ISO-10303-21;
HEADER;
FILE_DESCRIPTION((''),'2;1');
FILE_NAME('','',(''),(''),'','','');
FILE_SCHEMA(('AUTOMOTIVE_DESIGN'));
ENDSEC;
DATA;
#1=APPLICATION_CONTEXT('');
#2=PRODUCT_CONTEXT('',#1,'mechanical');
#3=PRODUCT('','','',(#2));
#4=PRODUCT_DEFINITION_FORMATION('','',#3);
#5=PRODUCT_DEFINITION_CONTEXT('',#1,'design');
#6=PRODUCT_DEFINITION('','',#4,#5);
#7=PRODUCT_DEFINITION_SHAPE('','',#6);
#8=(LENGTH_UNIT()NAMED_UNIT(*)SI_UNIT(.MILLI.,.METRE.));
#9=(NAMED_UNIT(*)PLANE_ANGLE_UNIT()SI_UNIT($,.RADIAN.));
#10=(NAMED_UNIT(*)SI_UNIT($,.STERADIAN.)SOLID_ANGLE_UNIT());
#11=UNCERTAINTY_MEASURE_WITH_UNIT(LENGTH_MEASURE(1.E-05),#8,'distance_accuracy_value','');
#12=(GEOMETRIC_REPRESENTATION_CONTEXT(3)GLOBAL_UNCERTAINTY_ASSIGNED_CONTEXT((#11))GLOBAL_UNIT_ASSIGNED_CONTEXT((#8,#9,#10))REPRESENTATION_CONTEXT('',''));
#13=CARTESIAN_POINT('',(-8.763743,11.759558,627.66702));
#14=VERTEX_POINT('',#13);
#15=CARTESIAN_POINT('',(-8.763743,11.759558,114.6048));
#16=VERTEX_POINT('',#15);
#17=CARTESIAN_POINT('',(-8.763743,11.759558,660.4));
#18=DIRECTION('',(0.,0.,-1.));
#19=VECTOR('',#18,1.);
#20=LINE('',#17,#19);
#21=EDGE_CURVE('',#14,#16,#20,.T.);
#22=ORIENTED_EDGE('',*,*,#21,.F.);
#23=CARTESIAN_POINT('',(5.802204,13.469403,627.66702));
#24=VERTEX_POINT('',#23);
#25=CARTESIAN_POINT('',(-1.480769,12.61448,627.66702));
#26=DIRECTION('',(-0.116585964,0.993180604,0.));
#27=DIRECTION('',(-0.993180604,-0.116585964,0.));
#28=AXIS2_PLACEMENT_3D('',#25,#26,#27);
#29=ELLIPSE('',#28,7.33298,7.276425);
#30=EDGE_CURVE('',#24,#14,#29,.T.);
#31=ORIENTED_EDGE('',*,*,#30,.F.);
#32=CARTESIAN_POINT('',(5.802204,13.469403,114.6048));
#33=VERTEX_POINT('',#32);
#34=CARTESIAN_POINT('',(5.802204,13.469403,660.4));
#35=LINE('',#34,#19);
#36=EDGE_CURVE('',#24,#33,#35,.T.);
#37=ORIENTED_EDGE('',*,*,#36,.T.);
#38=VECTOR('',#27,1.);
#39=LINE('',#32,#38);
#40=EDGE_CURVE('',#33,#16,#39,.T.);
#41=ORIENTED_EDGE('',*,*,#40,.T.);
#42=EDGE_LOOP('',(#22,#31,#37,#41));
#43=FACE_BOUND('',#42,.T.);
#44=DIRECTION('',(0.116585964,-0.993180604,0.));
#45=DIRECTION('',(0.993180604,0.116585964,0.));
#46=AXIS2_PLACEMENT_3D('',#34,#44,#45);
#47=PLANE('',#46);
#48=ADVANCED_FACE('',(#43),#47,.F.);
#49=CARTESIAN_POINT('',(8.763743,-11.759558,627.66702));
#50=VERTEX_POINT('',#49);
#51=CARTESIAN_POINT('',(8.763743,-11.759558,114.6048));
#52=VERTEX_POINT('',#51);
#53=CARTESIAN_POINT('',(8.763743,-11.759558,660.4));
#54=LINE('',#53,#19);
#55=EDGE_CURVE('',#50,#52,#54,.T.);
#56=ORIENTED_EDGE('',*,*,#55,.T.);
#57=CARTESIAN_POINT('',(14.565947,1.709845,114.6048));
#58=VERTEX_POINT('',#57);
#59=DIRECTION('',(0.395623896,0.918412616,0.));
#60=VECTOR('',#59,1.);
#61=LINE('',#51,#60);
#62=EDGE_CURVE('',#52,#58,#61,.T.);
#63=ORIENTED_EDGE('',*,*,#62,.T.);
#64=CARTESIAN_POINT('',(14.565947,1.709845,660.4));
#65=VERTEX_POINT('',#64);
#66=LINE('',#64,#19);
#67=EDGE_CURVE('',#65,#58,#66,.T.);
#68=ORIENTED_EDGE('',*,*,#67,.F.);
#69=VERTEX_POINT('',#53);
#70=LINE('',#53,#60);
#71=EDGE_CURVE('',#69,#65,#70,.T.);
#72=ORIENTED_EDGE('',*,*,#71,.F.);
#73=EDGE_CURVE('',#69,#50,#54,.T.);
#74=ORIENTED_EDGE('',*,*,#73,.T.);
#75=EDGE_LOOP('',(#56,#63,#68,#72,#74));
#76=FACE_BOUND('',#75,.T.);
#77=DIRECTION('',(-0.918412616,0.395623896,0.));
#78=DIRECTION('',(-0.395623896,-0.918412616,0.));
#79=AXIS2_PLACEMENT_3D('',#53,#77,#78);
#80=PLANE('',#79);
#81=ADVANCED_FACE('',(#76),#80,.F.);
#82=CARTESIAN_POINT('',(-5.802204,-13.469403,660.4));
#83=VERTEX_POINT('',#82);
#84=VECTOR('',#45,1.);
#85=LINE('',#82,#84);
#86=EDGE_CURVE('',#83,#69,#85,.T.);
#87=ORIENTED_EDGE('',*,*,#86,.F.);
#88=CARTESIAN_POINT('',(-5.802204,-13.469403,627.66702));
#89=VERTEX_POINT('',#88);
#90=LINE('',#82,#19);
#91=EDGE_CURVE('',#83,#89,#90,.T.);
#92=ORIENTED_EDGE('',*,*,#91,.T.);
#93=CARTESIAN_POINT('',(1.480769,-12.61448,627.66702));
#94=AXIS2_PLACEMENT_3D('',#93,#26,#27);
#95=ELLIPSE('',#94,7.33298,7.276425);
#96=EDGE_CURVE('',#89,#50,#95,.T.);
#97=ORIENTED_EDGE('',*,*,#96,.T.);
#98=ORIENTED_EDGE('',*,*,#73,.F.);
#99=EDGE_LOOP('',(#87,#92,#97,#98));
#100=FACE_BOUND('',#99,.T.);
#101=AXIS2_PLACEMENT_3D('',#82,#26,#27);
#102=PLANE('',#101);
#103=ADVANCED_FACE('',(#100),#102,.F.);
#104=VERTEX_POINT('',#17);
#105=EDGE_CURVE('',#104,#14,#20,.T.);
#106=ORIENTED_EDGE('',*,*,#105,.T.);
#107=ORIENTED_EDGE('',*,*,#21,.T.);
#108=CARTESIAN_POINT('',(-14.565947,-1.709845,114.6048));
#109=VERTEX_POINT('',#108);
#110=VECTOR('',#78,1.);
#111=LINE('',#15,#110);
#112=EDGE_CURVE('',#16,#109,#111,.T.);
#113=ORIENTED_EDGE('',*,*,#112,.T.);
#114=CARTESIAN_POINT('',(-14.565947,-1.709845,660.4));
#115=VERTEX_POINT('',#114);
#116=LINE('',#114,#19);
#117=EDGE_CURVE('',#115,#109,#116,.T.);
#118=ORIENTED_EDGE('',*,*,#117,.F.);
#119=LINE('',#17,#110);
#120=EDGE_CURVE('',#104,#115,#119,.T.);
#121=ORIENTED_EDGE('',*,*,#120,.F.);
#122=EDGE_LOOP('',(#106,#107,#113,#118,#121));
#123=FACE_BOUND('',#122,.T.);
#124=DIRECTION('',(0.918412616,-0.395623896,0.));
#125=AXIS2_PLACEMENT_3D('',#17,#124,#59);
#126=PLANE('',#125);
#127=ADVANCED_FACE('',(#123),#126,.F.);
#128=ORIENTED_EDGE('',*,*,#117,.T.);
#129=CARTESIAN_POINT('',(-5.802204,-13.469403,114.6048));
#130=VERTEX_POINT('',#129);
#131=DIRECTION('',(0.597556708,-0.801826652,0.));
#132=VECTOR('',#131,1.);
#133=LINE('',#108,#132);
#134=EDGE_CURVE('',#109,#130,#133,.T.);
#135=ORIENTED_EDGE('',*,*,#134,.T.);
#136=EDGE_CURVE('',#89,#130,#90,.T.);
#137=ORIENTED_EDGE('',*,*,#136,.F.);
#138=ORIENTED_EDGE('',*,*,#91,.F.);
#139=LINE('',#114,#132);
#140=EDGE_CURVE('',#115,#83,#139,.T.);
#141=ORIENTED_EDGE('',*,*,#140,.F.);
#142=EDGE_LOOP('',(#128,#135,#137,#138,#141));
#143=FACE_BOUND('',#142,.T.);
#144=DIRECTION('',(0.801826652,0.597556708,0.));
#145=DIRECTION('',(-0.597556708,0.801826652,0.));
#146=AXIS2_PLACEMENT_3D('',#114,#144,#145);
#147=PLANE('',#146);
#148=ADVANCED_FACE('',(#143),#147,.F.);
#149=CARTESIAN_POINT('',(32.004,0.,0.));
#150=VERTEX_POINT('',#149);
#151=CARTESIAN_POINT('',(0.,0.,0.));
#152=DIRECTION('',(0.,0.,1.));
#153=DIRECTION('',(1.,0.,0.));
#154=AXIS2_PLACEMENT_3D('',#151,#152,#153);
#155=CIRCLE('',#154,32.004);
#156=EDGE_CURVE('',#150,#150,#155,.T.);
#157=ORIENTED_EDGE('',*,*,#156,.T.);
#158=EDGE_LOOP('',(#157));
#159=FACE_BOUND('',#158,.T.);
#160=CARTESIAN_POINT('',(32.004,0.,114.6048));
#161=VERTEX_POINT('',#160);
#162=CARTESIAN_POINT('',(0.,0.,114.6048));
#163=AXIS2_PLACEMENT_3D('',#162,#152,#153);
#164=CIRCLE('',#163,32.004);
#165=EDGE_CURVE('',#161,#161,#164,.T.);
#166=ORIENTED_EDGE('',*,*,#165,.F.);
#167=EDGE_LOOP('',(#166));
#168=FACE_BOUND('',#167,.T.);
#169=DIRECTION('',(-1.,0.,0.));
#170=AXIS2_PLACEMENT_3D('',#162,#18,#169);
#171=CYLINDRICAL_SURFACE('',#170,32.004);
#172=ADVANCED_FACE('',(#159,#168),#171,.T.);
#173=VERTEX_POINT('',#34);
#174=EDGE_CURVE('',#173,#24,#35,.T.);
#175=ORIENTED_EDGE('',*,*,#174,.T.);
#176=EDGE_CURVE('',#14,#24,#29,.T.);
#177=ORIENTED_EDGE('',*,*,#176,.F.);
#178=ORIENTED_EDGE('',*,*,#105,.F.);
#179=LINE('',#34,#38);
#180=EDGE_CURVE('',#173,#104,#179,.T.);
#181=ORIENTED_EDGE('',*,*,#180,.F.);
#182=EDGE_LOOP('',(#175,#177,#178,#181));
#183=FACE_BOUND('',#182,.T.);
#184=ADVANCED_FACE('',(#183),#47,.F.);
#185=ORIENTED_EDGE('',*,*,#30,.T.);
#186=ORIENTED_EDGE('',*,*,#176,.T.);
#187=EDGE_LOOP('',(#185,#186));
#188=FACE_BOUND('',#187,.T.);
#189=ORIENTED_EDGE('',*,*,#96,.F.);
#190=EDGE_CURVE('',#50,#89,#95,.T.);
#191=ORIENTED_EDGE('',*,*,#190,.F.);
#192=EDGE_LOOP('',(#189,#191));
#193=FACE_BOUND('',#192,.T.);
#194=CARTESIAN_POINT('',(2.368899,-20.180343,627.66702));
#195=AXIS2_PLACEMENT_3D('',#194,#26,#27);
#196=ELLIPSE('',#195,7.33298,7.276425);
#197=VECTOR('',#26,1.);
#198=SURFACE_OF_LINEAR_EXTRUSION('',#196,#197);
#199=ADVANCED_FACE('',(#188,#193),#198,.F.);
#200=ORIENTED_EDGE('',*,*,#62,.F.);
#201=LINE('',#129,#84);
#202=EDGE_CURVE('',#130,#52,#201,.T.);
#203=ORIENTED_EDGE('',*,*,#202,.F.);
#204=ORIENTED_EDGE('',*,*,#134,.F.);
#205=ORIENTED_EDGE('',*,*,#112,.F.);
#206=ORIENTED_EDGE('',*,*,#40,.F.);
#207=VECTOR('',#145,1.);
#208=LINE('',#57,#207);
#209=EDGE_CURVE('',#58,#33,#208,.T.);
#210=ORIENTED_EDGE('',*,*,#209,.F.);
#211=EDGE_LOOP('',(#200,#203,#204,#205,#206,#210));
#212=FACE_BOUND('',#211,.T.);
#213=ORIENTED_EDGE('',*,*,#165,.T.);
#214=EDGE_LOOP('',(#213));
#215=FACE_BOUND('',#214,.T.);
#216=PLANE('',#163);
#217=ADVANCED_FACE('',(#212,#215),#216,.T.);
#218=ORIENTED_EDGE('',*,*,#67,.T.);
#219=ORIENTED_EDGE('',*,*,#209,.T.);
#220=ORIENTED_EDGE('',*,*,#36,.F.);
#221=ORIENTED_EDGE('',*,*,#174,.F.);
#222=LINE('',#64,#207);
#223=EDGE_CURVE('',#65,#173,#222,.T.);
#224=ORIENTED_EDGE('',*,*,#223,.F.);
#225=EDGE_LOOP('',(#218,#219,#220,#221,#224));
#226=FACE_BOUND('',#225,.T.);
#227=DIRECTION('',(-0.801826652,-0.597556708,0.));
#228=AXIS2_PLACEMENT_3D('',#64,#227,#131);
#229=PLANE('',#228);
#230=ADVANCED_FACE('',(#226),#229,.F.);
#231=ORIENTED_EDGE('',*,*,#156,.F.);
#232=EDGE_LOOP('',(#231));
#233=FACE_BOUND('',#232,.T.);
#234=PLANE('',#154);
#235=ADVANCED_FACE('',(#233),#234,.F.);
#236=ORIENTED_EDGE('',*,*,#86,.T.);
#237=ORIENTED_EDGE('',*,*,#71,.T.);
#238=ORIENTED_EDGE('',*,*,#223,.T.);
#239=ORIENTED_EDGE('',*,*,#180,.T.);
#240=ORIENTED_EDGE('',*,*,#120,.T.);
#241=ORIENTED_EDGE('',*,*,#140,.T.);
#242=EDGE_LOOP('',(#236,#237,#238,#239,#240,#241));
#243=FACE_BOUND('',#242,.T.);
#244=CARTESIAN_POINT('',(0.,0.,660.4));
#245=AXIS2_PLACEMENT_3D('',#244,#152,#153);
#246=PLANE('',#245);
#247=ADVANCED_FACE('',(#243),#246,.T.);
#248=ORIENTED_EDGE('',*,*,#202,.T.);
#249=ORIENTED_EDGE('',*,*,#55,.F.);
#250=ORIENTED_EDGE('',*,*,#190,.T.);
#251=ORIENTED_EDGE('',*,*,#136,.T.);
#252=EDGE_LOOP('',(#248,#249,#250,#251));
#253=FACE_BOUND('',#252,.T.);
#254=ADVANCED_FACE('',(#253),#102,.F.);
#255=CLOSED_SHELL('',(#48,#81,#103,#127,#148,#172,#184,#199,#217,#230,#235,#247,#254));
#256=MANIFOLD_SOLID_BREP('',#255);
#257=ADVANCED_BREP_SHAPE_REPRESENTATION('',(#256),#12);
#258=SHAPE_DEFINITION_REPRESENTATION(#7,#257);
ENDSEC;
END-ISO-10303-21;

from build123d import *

# Parameters (mm, degrees)
BOSS_EXTRUDE1_DEPTH = 660.4
SKETCH2_RX          = 7.33298
SKETCH2_RY          = 7.27642549
CUT_EXTRUDE1_DEPTH  = 33.02
SKETCH3_R           = 32.004
BOSS_EXTRUDE2_DEPTH = 114.6048


with BuildPart() as part:
    # Sketch1 → Boss-Extrude1 (new body)
    with BuildSketch(Plane.XY):
        Polygon((5.802204234, 13.469402687), (-8.763742784, 11.759557608), (-14.565947018, -1.709845079), (-5.802204234, -13.469402687), (8.763742784, -11.759557608), (14.565947018, 1.709845079), align=None)
    extrude(amount=BOSS_EXTRUDE1_DEPTH)

    # Sketch2 → Cut-Extrude1 (cut)
    with BuildSketch(Plane(origin=(-1.480769275, 12.614480148, 0), x_dir=(0.9931806044692795, 0.11658596358926146, 0), z_dir=(-0.11658596358926147, 0.9931806044692796, 0))):
        with Locations(Location((0, -627.66702), (0, 0, 180))):
            Ellipse(SKETCH2_RX, SKETCH2_RY)
    extrude(amount=-CUT_EXTRUDE1_DEPTH, mode=Mode.SUBTRACT)

    # Sketch3 → Boss-Extrude2 (add)
    with BuildSketch(Plane.XY):
        Circle(SKETCH3_R)
    extrude(amount=BOSS_EXTRUDE2_DEPTH)


solid = part.part
